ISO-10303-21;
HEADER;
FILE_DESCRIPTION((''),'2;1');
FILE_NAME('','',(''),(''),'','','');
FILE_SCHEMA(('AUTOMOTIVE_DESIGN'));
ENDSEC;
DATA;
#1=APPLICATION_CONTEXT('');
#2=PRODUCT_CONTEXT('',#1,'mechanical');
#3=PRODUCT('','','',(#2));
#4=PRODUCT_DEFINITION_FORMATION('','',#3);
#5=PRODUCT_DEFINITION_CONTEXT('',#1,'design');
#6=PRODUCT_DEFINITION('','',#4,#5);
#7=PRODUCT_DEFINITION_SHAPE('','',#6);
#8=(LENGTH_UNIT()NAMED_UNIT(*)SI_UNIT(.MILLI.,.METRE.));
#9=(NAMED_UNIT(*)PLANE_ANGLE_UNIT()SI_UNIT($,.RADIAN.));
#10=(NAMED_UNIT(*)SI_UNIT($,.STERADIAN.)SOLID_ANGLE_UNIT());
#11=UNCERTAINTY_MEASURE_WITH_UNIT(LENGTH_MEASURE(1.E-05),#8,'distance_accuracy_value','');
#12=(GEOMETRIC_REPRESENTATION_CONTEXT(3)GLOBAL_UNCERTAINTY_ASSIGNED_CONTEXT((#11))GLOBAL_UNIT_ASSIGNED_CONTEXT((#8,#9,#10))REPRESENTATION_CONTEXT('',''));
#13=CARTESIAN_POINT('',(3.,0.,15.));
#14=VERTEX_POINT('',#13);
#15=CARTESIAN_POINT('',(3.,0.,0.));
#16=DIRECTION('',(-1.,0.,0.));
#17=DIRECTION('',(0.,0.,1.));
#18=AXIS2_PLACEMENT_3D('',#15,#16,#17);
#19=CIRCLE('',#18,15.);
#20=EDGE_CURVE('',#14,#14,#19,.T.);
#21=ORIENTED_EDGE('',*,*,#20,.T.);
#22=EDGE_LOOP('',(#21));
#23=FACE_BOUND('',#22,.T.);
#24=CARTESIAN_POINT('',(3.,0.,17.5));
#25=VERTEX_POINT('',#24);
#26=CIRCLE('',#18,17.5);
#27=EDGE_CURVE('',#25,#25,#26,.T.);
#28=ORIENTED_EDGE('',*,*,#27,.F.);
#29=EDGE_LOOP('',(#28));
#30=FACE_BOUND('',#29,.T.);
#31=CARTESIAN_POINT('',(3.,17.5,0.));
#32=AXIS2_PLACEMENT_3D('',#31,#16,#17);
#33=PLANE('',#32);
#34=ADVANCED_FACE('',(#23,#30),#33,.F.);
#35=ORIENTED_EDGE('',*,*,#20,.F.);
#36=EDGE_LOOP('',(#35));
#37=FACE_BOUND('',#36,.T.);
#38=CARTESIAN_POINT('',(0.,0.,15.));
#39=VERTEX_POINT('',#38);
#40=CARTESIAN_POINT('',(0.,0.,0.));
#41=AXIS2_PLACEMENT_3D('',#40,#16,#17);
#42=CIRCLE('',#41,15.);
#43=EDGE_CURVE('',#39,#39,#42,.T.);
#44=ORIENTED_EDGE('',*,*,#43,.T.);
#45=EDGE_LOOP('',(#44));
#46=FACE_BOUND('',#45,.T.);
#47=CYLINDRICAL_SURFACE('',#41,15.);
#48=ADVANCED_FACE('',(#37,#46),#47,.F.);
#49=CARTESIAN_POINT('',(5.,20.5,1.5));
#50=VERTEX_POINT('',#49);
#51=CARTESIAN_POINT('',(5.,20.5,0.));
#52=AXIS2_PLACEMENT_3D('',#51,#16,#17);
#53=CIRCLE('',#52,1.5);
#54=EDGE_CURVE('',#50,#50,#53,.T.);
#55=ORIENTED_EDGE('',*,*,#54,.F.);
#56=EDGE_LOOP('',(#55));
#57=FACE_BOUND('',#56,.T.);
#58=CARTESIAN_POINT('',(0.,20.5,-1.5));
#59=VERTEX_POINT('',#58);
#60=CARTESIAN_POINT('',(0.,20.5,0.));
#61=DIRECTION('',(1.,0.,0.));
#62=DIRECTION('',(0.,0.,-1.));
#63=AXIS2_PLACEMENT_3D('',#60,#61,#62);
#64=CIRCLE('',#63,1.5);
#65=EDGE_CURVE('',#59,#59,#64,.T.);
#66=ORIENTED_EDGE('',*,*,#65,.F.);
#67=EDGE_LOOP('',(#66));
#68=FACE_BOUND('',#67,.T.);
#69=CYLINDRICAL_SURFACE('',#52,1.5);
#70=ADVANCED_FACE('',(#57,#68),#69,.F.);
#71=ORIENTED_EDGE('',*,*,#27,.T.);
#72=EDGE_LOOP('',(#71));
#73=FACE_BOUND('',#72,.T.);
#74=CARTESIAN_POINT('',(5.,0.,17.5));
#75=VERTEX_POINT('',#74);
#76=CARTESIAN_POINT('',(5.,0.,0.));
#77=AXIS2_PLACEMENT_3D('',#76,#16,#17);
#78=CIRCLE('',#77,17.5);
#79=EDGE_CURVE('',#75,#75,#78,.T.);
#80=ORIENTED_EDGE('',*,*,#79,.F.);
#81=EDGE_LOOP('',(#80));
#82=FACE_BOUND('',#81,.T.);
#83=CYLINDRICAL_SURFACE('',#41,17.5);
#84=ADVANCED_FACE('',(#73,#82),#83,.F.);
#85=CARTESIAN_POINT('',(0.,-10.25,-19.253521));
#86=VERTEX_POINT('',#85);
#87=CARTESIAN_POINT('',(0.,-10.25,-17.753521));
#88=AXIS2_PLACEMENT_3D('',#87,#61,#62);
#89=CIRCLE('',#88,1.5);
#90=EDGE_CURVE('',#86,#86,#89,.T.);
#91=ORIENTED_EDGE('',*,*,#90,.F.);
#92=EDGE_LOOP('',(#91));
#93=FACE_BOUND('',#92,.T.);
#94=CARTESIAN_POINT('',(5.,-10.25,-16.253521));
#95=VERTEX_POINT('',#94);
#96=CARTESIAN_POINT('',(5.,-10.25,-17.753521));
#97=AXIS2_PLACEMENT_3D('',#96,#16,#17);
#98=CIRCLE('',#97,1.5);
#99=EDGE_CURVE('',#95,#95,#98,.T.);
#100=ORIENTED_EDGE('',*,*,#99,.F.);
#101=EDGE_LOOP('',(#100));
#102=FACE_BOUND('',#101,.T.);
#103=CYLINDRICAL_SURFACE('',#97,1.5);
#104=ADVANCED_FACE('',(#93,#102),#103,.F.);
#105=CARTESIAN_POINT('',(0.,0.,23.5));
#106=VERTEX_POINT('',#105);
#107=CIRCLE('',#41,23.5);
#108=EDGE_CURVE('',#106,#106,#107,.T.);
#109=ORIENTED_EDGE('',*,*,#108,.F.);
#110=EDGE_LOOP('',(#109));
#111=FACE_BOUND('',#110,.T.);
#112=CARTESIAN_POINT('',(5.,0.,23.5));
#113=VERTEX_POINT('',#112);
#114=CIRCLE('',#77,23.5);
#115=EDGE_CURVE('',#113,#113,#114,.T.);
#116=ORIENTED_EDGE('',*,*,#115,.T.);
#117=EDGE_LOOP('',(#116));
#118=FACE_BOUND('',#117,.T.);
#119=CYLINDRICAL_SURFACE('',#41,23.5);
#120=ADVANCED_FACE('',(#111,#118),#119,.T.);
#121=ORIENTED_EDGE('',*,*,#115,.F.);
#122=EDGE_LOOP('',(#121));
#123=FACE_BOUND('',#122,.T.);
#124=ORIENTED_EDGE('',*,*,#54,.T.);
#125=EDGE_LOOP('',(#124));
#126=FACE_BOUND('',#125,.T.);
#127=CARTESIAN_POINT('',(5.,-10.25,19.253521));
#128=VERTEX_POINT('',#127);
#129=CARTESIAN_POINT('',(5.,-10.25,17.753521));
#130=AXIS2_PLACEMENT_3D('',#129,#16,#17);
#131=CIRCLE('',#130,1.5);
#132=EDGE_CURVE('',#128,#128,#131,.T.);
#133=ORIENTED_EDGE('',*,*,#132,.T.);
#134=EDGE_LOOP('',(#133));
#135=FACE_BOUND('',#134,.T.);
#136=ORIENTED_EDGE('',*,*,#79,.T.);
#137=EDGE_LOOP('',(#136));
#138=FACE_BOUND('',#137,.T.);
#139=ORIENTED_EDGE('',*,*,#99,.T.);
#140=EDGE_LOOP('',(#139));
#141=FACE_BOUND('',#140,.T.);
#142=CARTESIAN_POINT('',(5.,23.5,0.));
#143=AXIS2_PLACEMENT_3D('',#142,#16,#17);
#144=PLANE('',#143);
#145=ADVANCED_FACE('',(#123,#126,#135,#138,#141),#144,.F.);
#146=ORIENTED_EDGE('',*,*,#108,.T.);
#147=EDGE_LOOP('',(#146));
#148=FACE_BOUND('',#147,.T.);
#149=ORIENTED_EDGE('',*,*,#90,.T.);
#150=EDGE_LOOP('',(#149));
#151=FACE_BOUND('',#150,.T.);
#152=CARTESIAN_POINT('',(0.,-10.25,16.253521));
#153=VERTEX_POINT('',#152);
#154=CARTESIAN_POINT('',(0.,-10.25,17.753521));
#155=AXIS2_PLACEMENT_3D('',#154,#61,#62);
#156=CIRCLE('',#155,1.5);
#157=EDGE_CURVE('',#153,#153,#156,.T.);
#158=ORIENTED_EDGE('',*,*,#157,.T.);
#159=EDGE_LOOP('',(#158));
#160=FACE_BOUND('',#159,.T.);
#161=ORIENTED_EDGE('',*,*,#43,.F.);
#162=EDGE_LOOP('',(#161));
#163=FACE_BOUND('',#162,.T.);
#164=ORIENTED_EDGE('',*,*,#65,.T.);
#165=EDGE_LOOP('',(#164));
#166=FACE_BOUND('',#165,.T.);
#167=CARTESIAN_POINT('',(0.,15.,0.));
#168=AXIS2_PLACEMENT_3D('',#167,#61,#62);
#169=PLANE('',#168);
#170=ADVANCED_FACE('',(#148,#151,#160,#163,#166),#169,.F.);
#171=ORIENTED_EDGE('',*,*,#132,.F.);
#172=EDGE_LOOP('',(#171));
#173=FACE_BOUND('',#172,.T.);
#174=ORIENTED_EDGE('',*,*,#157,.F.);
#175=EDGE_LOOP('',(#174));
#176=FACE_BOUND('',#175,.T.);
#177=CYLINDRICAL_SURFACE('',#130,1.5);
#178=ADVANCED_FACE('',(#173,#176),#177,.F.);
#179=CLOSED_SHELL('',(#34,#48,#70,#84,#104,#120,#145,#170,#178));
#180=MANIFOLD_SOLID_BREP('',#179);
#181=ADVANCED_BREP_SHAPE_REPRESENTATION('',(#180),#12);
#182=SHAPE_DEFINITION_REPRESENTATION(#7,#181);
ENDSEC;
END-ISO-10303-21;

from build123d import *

# Parameters (mm, degrees)
CUT_EXTRUDE1_DEPTH      = 34.608034754
CUT_EXTRUDE1_DEPTH_BACK = 34.608034754
SKETCH2_R               = 1.5


with BuildPart() as part:
    # Sketch1 → Revolve1 (revolve)
    with BuildSketch(Plane.XY, mode=Mode.PRIVATE) as revolve1_sk:
        Polygon((0, 15), (0, 23.5), (5, 23.5), (5, 17.5), (3, 17.5), (3, 15), align=None)
    revolve(revolve1_sk.sketch.rotate(Axis((0, 0, 0), (1, 0, 0)), 90), axis=Axis((0, 0, 0), (1, 0, 0)))

    # Sketch2 → Cut-Extrude1 (cut, two sides: drawn at the far end of the back side and taken through both)
    with BuildSketch(Plane.ZY.offset(-CUT_EXTRUDE1_DEPTH_BACK)):
        with Locations((0, 20.5)):
            Circle(SKETCH2_R)
        with Locations((17.753520778, -10.25)):
            Circle(SKETCH2_R)
        with Locations((-17.753520778, -10.25)):
            Circle(SKETCH2_R)
    extrude(amount=CUT_EXTRUDE1_DEPTH + CUT_EXTRUDE1_DEPTH_BACK, mode=Mode.SUBTRACT)


solid = part.part
